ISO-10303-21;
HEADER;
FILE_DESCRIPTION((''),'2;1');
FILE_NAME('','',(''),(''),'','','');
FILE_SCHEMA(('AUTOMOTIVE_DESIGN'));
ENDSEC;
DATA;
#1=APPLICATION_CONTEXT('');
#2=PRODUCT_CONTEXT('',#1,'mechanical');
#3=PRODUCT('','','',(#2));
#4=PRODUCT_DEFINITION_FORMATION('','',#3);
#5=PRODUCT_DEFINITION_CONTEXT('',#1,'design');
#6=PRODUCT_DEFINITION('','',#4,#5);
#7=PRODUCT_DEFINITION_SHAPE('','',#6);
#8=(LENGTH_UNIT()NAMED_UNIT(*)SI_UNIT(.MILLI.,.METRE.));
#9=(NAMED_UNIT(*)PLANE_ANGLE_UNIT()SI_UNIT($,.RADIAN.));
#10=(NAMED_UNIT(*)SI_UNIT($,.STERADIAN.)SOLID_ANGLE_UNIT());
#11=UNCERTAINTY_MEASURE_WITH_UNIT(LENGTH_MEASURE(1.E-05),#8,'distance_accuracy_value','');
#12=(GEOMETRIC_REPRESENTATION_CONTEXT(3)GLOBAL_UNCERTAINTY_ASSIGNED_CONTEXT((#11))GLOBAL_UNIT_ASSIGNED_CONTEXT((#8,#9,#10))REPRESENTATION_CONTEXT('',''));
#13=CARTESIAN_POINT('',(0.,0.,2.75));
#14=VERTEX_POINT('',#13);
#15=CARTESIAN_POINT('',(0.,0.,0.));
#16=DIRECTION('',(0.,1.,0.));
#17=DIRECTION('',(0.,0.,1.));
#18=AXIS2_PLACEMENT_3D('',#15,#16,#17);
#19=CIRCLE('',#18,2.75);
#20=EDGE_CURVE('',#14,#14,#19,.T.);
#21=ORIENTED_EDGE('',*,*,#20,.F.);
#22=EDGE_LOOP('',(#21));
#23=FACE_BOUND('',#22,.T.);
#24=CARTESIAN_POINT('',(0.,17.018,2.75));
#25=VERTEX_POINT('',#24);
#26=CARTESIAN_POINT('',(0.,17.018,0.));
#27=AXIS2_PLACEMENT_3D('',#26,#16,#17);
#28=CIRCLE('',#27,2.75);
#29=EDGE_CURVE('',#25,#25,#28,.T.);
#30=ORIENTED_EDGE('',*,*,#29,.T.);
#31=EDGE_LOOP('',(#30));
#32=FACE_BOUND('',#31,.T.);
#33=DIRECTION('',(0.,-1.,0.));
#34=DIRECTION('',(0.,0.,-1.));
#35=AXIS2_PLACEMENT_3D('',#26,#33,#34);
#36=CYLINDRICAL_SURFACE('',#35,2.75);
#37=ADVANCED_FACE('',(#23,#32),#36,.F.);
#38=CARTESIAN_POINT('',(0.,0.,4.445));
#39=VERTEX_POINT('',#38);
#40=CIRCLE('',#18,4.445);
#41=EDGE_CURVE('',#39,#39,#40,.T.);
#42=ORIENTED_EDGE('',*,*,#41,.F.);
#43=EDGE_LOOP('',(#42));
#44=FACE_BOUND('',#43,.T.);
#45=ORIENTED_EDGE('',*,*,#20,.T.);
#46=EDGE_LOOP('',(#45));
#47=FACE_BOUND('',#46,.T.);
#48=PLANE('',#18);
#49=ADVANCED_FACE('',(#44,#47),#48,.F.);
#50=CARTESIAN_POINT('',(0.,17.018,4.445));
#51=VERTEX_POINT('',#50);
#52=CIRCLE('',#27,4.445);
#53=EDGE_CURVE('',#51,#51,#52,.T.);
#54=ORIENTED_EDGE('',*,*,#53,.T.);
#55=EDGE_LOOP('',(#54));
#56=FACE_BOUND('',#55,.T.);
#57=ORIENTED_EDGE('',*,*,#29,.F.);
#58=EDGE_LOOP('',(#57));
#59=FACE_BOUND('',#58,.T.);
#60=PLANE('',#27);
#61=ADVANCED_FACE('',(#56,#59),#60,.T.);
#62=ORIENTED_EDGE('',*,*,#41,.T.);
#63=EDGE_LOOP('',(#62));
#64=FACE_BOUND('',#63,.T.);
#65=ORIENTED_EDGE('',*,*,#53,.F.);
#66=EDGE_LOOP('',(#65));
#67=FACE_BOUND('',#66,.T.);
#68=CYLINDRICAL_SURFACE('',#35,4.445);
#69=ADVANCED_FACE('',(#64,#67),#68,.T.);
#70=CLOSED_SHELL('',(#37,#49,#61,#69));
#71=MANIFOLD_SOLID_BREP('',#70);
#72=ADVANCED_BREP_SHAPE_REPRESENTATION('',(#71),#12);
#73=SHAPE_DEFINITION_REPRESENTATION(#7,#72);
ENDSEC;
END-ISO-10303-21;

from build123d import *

# Parameters (mm, degrees)
SKETCH1_R           = 4.445
BOSS_EXTRUDE1_DEPTH = 17.018
SKETCH1_3_R         = 2.75
CUT_EXTRUDE1_DEPTH  = 19.141895546


with BuildPart() as part:
    # Sketch1 → Boss-Extrude1 (new body)
    with BuildSketch(Plane(origin=(0, 0, 0), x_dir=(1, 0, 0), z_dir=(0, 1, 0))):
        Circle(SKETCH1_R)
    extrude(amount=BOSS_EXTRUDE1_DEPTH)

    # Sketch1<3> → Cut-Extrude1 (cut, through all)
    with BuildSketch(Plane(origin=(0, 0, 0), x_dir=(1, 0, 0), z_dir=(0, 1, 0))):
        Circle(SKETCH1_3_R)
    extrude(amount=CUT_EXTRUDE1_DEPTH, mode=Mode.SUBTRACT)


solid = part.part
